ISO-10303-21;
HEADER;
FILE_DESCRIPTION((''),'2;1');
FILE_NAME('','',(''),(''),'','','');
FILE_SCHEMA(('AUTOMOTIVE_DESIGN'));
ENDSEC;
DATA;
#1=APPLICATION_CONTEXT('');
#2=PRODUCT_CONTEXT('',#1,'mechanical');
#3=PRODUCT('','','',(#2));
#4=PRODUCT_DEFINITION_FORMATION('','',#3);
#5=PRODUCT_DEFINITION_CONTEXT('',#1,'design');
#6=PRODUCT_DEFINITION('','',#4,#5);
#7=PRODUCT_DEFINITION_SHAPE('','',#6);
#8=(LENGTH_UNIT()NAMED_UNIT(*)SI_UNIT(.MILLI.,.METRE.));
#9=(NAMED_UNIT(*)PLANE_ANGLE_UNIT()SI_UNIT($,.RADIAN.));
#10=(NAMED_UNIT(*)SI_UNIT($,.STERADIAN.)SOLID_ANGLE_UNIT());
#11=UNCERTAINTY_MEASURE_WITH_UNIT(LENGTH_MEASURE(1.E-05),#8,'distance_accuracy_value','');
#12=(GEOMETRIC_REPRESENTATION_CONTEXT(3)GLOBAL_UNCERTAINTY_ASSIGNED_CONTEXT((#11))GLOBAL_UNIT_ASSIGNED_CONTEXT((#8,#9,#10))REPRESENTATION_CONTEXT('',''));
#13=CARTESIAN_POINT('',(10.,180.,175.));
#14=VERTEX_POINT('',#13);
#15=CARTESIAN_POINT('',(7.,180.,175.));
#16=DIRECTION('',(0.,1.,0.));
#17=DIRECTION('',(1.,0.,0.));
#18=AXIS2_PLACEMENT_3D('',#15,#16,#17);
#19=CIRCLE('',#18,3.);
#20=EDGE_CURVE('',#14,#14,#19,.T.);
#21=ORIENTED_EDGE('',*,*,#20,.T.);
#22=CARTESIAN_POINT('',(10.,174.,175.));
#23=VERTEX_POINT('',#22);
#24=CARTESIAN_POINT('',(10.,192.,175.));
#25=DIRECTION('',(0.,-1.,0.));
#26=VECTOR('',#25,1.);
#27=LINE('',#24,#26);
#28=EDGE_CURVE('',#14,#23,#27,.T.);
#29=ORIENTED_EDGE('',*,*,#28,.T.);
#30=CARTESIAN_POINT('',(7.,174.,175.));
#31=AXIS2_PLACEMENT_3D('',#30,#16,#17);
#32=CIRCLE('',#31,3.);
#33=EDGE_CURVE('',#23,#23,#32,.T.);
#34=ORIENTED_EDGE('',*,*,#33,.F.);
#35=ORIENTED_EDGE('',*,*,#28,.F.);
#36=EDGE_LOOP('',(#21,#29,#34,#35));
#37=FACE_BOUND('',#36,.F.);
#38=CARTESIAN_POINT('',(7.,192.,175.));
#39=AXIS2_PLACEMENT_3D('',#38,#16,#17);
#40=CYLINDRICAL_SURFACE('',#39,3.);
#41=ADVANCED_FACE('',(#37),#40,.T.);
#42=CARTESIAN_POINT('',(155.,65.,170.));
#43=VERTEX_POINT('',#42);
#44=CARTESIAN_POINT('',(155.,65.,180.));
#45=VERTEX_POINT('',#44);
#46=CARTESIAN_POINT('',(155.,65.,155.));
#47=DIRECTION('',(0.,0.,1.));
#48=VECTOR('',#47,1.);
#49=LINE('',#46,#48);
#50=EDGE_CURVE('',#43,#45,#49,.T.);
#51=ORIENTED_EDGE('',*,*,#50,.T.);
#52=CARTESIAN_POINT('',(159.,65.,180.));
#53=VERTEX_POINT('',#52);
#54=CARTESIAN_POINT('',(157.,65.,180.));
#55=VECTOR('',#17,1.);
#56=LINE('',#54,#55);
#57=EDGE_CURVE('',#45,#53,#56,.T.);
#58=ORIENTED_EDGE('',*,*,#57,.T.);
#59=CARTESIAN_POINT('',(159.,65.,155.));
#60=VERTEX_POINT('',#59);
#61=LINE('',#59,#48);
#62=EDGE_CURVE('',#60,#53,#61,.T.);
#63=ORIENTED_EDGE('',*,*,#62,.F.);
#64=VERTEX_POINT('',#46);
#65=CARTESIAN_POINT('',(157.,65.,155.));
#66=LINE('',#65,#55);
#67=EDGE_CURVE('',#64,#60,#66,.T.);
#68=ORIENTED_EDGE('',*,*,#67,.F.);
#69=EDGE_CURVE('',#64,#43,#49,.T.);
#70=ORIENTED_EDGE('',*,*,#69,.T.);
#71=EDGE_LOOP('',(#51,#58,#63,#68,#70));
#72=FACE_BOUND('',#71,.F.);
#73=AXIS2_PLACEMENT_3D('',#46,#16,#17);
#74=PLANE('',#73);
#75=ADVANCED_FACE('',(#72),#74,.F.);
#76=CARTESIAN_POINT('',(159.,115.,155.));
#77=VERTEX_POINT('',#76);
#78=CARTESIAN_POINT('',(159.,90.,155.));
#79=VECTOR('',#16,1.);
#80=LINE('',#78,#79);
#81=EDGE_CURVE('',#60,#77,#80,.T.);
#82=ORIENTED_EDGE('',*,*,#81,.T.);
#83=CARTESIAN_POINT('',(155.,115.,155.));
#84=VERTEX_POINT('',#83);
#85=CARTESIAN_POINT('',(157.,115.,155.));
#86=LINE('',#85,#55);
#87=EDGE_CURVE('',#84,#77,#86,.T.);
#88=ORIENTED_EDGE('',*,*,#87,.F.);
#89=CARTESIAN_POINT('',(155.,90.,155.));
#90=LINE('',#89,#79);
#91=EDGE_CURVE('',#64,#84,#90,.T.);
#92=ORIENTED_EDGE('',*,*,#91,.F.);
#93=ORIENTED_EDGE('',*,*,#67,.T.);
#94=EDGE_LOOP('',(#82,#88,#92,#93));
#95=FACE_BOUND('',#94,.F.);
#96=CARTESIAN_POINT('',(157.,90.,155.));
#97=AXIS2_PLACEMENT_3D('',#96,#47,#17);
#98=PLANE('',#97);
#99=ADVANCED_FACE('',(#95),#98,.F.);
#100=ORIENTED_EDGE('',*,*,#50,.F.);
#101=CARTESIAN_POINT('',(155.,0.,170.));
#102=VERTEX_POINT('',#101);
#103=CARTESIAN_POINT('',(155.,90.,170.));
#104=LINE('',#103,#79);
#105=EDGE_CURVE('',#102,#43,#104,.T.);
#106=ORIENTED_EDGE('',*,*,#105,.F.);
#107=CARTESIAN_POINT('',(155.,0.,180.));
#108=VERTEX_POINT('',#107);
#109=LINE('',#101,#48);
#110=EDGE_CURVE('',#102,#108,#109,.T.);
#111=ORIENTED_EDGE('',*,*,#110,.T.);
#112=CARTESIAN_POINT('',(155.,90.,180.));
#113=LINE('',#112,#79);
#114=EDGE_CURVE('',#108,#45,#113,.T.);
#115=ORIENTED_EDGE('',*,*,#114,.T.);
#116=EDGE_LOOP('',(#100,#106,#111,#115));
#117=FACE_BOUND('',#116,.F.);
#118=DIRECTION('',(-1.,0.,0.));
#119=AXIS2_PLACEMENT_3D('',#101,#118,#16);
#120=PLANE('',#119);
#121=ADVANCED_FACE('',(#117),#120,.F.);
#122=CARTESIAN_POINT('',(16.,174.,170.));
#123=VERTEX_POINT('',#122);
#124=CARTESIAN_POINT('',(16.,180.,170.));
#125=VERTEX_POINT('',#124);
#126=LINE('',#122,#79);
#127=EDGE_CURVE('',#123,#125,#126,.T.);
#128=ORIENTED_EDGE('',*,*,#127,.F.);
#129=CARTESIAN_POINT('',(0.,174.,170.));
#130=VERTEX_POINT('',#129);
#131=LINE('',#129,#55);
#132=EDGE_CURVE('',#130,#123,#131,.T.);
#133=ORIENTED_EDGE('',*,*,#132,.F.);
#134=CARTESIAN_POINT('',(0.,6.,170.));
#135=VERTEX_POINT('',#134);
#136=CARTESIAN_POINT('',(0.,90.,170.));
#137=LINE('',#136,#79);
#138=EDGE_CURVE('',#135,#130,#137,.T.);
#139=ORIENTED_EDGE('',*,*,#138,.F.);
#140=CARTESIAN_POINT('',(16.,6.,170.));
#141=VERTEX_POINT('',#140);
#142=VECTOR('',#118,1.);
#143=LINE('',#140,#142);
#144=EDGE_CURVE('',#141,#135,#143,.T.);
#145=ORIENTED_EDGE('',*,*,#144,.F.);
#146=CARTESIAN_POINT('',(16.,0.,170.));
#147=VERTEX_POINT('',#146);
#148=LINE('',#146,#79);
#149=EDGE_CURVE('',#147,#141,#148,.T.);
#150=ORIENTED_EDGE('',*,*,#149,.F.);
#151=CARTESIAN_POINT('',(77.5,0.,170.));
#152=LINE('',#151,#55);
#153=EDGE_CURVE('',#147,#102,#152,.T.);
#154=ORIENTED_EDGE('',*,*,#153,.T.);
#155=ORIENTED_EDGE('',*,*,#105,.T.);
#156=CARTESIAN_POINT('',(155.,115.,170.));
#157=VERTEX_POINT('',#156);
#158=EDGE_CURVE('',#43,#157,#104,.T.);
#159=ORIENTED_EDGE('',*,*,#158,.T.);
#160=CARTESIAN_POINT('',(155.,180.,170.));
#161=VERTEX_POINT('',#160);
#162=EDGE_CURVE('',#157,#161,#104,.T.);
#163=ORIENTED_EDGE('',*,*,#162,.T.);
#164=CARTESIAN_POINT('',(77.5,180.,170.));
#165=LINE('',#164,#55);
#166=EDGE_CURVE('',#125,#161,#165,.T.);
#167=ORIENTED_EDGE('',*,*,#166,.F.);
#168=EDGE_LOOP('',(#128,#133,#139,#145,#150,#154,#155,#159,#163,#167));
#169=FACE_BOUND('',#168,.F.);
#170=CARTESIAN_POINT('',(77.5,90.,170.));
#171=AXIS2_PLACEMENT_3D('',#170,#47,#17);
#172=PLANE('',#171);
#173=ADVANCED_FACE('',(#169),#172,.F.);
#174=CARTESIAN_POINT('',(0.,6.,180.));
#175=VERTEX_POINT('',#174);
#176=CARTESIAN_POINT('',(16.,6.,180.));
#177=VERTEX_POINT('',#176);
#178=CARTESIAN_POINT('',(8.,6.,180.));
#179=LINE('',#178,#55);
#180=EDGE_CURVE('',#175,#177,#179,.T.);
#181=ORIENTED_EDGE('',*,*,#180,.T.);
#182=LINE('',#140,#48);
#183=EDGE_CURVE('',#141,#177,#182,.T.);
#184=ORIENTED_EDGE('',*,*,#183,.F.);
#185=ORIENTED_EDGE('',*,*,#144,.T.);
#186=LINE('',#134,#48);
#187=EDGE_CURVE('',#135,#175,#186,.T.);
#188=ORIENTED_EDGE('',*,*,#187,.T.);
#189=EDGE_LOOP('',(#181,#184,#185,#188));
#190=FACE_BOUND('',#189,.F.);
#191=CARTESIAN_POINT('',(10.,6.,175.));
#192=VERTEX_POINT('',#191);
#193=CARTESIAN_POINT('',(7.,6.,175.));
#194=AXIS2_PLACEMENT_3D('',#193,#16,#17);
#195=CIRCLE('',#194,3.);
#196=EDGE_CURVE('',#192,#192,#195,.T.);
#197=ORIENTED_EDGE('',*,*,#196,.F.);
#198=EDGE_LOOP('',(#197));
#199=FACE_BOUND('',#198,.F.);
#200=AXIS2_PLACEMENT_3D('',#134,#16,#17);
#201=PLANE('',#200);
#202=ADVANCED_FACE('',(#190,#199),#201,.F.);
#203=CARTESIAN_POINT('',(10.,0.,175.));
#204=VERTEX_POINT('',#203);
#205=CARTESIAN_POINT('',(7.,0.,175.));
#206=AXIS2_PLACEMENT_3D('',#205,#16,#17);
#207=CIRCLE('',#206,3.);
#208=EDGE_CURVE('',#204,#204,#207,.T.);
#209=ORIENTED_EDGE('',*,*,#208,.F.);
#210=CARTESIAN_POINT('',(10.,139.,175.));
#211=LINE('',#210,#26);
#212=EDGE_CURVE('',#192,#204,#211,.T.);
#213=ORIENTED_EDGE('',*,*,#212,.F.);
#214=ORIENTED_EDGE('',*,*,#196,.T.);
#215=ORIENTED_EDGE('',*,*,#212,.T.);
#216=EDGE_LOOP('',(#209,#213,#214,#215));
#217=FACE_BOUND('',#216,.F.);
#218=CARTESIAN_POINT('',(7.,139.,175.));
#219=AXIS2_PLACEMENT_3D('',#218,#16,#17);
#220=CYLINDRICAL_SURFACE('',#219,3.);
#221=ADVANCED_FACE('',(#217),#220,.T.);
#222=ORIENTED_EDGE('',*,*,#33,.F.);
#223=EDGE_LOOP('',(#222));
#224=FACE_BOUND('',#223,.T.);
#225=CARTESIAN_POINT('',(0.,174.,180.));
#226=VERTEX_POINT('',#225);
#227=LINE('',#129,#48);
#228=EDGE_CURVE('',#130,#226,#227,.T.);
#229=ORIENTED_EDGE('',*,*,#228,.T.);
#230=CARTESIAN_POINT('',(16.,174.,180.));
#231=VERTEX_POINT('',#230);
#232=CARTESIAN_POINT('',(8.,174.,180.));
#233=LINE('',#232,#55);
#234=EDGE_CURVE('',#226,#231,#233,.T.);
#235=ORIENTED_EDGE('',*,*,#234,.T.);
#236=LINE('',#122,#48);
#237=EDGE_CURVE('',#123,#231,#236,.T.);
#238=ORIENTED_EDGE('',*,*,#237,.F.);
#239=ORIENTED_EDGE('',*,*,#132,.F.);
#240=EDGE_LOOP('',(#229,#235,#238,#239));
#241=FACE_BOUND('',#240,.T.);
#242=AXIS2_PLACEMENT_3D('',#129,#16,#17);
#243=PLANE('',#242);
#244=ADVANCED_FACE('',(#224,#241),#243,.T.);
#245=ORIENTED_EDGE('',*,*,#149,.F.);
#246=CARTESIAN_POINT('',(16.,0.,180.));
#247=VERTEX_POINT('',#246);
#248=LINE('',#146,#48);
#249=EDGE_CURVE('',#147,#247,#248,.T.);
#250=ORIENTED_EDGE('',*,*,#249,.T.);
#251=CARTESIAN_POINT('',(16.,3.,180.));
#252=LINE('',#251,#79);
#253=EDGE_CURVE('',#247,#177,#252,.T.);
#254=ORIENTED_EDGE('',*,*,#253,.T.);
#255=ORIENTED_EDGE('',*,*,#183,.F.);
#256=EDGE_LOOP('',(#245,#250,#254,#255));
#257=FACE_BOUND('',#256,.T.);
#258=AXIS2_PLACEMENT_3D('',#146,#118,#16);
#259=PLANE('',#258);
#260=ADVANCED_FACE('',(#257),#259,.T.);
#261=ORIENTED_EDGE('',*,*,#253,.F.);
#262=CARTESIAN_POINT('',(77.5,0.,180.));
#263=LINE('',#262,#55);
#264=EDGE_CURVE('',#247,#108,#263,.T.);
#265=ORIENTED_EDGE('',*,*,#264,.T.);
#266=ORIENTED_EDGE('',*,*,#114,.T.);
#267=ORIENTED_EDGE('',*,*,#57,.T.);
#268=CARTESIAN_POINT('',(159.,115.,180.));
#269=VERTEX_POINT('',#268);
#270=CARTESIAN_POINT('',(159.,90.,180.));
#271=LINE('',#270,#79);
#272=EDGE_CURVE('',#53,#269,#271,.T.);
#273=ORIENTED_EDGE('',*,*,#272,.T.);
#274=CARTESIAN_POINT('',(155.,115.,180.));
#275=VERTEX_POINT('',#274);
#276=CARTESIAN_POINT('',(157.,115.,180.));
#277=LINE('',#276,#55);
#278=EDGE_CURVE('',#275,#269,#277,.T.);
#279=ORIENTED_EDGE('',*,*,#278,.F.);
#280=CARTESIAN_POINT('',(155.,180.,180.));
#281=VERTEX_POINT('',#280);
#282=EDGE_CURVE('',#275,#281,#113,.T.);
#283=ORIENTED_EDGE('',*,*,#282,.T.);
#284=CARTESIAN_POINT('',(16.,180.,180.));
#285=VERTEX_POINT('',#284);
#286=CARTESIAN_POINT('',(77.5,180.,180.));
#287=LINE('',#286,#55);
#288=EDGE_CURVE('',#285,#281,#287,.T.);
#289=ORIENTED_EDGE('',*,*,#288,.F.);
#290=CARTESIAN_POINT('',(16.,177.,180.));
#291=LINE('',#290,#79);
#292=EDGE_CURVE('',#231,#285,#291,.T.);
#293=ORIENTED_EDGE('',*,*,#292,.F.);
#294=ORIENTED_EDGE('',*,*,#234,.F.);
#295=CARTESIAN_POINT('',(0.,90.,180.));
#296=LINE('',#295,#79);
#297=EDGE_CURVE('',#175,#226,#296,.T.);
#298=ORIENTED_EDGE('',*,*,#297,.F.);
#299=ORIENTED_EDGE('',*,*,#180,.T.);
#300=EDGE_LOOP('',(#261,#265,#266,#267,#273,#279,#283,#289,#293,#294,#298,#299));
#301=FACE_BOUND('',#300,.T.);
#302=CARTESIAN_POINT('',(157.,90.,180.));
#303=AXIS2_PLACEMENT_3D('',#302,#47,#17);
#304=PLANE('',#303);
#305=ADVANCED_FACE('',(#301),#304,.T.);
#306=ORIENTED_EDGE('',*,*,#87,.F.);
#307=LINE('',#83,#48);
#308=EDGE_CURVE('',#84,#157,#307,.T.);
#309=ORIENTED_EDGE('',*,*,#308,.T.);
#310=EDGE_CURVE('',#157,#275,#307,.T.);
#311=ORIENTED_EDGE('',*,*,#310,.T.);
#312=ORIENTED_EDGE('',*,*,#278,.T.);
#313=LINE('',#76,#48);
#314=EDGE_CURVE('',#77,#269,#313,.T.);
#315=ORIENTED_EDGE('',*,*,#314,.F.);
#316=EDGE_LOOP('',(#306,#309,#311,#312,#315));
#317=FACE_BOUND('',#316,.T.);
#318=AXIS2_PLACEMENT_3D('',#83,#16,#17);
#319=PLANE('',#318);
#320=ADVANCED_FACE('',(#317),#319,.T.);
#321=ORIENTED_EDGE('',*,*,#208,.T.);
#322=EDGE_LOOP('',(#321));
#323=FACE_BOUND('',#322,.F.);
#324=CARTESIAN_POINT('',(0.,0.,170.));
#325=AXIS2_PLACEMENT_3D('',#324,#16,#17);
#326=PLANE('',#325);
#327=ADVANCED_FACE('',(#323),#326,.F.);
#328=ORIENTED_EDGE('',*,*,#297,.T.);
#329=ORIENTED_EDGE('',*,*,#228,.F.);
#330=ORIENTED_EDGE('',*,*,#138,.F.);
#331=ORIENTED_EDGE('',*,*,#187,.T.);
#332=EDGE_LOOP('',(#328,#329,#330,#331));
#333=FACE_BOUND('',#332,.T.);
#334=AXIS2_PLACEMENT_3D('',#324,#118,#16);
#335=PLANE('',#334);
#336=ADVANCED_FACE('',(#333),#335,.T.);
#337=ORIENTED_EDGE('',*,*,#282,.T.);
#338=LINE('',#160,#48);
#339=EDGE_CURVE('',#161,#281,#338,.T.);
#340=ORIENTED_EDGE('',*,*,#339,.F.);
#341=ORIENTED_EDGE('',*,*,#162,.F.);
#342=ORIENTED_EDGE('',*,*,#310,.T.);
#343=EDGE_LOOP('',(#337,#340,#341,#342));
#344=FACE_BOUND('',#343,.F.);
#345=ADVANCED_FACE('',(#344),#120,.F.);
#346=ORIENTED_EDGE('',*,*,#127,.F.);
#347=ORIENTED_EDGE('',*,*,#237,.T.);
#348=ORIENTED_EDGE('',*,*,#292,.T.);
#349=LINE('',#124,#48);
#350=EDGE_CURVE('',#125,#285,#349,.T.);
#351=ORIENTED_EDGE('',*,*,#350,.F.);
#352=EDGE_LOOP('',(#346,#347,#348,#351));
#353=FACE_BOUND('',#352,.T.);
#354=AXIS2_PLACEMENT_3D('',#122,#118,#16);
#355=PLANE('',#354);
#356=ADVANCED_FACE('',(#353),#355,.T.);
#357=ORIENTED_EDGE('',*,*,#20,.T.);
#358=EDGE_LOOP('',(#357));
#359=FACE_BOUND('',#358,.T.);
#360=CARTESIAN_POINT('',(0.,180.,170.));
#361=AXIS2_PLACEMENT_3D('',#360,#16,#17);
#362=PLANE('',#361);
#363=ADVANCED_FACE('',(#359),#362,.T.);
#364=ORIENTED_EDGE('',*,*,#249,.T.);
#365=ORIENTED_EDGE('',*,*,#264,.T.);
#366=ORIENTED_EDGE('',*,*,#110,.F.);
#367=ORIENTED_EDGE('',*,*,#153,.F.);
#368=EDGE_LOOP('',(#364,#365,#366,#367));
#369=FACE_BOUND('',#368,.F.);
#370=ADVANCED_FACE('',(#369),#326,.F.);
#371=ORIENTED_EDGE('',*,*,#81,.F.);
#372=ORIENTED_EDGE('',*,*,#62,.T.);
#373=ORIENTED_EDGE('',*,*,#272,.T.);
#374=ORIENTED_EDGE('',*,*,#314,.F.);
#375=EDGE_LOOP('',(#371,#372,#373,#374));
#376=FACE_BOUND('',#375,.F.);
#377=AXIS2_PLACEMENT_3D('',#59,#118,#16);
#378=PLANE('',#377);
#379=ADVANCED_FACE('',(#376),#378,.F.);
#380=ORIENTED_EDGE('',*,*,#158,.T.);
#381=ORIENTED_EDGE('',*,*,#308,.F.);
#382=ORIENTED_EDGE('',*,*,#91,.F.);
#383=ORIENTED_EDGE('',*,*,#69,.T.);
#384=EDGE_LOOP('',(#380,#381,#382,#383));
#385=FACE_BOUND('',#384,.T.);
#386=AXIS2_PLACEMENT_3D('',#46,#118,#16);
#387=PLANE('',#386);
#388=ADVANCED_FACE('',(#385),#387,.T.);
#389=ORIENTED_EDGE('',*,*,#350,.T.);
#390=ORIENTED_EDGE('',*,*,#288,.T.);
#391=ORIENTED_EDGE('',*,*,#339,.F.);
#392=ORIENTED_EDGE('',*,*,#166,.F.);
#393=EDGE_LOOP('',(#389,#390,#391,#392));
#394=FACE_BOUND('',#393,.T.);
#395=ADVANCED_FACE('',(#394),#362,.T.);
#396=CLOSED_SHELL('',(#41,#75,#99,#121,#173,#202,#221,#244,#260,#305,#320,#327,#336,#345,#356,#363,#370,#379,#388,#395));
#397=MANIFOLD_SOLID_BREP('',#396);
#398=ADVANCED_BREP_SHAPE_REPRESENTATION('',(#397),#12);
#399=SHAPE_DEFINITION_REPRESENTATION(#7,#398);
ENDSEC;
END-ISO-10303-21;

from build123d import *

# Parameters (mm, degrees)
CYLINDER001_R     = 3
CYLINDER001_DEPTH = 148
BOX007_W          = 16
BOX007_H          = 6
BOX007_DEPTH      = 10
CYLINDER_R        = 3
CYLINDER_DEPTH    = 148
BOX006_W          = 16
BOX006_H          = 6
BOX006_DEPTH      = 10
BOX005_W          = 12
BOX005_H          = 10
BOX005_DEPTH      = 20
BOX003_W          = 25
BOX003_H          = 25
BOX003_DEPTH      = 15
BOX001_W          = 145
BOX001_H          = 170
BOX001_DEPTH      = 200
BOX_W             = 155
BOX_H             = 180
BOX_DEPTH         = 170
BOX004_W          = 4
BOX004_H          = 50
BOX004_DEPTH      = 25
BOX002_W          = 155
BOX002_H          = 180
BOX002_DEPTH      = 10


with BuildPart() as cylinder001:
    # Cylinder001 → Cylinder001 (new body)
    with BuildSketch(Plane(origin=(7, 139, 175), x_dir=(1, 0, 0), z_dir=(0, -1, 0))):
        Circle(CYLINDER001_R)
    extrude(amount=CYLINDER001_DEPTH)


with BuildPart() as visagra2:
    # Box007 → Box007 (new body)
    with BuildSketch(Plane.XY.offset(170)):
        with Locations((8, 3)):
            Rectangle(BOX007_W, BOX007_H)
    extrude(amount=BOX007_DEPTH)

    # Cut004: cut Cylinder001
    add(cylinder001.part, mode=Mode.SUBTRACT)


with BuildPart() as cylinder:
    # Cylinder → Cylinder (new body)
    with BuildSketch(Plane(origin=(7, 192, 175), x_dir=(1, 0, 0), z_dir=(0, -1, 0))):
        Circle(CYLINDER_R)
    extrude(amount=CYLINDER_DEPTH)


with BuildPart() as visagra1:
    # Box006 → Box006 (new body)
    with BuildSketch(Plane(origin=(0, 174, 170), x_dir=(1, 0, 0), z_dir=(0, 0, 1))):
        with Locations((8, 3)):
            Rectangle(BOX006_W, BOX006_H)
    extrude(amount=BOX006_DEPTH)

    # Cut003: cut Cylinder
    add(cylinder.part, mode=Mode.SUBTRACT)


with BuildPart() as cube003:
    # Box005 → Box005 (new body)
    with BuildSketch(Plane(origin=(146, 85, 130), x_dir=(1, 0, 0), z_dir=(0, 0, 1))):
        with Locations((6, 5)):
            Rectangle(BOX005_W, BOX005_H)
    extrude(amount=BOX005_DEPTH)


with BuildPart() as agujero:
    # Box003 → Box003 (new body)
    with BuildSketch(Plane(origin=(10, -7, 5), x_dir=(1, 0, 0), z_dir=(0, 0, 1))):
        with Locations((12.5, 12.5)):
            Rectangle(BOX003_W, BOX003_H)
    extrude(amount=BOX003_DEPTH)


with BuildPart() as cube001:
    # Box001 → Box001 (new body)
    with BuildSketch(Plane(origin=(5, 5, 5), x_dir=(1, 0, 0), z_dir=(0, 0, 1))):
        with Locations((72.5, 85)):
            Rectangle(BOX001_W, BOX001_H)
    extrude(amount=BOX001_DEPTH)


with BuildPart() as fusion002:
    # Box → Box (new body)
    with BuildSketch(Plane.XY):
        with Locations((77.5, 90)):
            Rectangle(BOX_W, BOX_H)
    extrude(amount=BOX_DEPTH)

    # Cut: cut Cube001
    add(cube001.part, mode=Mode.SUBTRACT)

    # Cut001: cut Agujero
    add(agujero.part, mode=Mode.SUBTRACT)

    # Cut002: cut Cube003
    add(cube003.part, mode=Mode.SUBTRACT)

    # Fusion001: union visagra1
    add(visagra1.part)

    # Fusion002: union visagra2
    add(visagra2.part)


with BuildPart() as cube002:
    # Box004 → Box004 (new body)
    with BuildSketch(Plane(origin=(155, 65, 155), x_dir=(1, 0, 0), z_dir=(0, 0, 1))):
        with Locations((2, 25)):
            Rectangle(BOX004_W, BOX004_H)
    extrude(amount=BOX004_DEPTH)


with BuildPart() as tapa:
    # Box002 → Box002 (new body)
    with BuildSketch(Plane.XY.offset(170)):
        with Locations((77.5, 90)):
            Rectangle(BOX002_W, BOX002_H)
    extrude(amount=BOX002_DEPTH)

    # Fusion: union Cube002
    add(cube002.part)

    # Cut005: cut Fusion002
    add(fusion002.part, mode=Mode.SUBTRACT)


solid = tapa.part
